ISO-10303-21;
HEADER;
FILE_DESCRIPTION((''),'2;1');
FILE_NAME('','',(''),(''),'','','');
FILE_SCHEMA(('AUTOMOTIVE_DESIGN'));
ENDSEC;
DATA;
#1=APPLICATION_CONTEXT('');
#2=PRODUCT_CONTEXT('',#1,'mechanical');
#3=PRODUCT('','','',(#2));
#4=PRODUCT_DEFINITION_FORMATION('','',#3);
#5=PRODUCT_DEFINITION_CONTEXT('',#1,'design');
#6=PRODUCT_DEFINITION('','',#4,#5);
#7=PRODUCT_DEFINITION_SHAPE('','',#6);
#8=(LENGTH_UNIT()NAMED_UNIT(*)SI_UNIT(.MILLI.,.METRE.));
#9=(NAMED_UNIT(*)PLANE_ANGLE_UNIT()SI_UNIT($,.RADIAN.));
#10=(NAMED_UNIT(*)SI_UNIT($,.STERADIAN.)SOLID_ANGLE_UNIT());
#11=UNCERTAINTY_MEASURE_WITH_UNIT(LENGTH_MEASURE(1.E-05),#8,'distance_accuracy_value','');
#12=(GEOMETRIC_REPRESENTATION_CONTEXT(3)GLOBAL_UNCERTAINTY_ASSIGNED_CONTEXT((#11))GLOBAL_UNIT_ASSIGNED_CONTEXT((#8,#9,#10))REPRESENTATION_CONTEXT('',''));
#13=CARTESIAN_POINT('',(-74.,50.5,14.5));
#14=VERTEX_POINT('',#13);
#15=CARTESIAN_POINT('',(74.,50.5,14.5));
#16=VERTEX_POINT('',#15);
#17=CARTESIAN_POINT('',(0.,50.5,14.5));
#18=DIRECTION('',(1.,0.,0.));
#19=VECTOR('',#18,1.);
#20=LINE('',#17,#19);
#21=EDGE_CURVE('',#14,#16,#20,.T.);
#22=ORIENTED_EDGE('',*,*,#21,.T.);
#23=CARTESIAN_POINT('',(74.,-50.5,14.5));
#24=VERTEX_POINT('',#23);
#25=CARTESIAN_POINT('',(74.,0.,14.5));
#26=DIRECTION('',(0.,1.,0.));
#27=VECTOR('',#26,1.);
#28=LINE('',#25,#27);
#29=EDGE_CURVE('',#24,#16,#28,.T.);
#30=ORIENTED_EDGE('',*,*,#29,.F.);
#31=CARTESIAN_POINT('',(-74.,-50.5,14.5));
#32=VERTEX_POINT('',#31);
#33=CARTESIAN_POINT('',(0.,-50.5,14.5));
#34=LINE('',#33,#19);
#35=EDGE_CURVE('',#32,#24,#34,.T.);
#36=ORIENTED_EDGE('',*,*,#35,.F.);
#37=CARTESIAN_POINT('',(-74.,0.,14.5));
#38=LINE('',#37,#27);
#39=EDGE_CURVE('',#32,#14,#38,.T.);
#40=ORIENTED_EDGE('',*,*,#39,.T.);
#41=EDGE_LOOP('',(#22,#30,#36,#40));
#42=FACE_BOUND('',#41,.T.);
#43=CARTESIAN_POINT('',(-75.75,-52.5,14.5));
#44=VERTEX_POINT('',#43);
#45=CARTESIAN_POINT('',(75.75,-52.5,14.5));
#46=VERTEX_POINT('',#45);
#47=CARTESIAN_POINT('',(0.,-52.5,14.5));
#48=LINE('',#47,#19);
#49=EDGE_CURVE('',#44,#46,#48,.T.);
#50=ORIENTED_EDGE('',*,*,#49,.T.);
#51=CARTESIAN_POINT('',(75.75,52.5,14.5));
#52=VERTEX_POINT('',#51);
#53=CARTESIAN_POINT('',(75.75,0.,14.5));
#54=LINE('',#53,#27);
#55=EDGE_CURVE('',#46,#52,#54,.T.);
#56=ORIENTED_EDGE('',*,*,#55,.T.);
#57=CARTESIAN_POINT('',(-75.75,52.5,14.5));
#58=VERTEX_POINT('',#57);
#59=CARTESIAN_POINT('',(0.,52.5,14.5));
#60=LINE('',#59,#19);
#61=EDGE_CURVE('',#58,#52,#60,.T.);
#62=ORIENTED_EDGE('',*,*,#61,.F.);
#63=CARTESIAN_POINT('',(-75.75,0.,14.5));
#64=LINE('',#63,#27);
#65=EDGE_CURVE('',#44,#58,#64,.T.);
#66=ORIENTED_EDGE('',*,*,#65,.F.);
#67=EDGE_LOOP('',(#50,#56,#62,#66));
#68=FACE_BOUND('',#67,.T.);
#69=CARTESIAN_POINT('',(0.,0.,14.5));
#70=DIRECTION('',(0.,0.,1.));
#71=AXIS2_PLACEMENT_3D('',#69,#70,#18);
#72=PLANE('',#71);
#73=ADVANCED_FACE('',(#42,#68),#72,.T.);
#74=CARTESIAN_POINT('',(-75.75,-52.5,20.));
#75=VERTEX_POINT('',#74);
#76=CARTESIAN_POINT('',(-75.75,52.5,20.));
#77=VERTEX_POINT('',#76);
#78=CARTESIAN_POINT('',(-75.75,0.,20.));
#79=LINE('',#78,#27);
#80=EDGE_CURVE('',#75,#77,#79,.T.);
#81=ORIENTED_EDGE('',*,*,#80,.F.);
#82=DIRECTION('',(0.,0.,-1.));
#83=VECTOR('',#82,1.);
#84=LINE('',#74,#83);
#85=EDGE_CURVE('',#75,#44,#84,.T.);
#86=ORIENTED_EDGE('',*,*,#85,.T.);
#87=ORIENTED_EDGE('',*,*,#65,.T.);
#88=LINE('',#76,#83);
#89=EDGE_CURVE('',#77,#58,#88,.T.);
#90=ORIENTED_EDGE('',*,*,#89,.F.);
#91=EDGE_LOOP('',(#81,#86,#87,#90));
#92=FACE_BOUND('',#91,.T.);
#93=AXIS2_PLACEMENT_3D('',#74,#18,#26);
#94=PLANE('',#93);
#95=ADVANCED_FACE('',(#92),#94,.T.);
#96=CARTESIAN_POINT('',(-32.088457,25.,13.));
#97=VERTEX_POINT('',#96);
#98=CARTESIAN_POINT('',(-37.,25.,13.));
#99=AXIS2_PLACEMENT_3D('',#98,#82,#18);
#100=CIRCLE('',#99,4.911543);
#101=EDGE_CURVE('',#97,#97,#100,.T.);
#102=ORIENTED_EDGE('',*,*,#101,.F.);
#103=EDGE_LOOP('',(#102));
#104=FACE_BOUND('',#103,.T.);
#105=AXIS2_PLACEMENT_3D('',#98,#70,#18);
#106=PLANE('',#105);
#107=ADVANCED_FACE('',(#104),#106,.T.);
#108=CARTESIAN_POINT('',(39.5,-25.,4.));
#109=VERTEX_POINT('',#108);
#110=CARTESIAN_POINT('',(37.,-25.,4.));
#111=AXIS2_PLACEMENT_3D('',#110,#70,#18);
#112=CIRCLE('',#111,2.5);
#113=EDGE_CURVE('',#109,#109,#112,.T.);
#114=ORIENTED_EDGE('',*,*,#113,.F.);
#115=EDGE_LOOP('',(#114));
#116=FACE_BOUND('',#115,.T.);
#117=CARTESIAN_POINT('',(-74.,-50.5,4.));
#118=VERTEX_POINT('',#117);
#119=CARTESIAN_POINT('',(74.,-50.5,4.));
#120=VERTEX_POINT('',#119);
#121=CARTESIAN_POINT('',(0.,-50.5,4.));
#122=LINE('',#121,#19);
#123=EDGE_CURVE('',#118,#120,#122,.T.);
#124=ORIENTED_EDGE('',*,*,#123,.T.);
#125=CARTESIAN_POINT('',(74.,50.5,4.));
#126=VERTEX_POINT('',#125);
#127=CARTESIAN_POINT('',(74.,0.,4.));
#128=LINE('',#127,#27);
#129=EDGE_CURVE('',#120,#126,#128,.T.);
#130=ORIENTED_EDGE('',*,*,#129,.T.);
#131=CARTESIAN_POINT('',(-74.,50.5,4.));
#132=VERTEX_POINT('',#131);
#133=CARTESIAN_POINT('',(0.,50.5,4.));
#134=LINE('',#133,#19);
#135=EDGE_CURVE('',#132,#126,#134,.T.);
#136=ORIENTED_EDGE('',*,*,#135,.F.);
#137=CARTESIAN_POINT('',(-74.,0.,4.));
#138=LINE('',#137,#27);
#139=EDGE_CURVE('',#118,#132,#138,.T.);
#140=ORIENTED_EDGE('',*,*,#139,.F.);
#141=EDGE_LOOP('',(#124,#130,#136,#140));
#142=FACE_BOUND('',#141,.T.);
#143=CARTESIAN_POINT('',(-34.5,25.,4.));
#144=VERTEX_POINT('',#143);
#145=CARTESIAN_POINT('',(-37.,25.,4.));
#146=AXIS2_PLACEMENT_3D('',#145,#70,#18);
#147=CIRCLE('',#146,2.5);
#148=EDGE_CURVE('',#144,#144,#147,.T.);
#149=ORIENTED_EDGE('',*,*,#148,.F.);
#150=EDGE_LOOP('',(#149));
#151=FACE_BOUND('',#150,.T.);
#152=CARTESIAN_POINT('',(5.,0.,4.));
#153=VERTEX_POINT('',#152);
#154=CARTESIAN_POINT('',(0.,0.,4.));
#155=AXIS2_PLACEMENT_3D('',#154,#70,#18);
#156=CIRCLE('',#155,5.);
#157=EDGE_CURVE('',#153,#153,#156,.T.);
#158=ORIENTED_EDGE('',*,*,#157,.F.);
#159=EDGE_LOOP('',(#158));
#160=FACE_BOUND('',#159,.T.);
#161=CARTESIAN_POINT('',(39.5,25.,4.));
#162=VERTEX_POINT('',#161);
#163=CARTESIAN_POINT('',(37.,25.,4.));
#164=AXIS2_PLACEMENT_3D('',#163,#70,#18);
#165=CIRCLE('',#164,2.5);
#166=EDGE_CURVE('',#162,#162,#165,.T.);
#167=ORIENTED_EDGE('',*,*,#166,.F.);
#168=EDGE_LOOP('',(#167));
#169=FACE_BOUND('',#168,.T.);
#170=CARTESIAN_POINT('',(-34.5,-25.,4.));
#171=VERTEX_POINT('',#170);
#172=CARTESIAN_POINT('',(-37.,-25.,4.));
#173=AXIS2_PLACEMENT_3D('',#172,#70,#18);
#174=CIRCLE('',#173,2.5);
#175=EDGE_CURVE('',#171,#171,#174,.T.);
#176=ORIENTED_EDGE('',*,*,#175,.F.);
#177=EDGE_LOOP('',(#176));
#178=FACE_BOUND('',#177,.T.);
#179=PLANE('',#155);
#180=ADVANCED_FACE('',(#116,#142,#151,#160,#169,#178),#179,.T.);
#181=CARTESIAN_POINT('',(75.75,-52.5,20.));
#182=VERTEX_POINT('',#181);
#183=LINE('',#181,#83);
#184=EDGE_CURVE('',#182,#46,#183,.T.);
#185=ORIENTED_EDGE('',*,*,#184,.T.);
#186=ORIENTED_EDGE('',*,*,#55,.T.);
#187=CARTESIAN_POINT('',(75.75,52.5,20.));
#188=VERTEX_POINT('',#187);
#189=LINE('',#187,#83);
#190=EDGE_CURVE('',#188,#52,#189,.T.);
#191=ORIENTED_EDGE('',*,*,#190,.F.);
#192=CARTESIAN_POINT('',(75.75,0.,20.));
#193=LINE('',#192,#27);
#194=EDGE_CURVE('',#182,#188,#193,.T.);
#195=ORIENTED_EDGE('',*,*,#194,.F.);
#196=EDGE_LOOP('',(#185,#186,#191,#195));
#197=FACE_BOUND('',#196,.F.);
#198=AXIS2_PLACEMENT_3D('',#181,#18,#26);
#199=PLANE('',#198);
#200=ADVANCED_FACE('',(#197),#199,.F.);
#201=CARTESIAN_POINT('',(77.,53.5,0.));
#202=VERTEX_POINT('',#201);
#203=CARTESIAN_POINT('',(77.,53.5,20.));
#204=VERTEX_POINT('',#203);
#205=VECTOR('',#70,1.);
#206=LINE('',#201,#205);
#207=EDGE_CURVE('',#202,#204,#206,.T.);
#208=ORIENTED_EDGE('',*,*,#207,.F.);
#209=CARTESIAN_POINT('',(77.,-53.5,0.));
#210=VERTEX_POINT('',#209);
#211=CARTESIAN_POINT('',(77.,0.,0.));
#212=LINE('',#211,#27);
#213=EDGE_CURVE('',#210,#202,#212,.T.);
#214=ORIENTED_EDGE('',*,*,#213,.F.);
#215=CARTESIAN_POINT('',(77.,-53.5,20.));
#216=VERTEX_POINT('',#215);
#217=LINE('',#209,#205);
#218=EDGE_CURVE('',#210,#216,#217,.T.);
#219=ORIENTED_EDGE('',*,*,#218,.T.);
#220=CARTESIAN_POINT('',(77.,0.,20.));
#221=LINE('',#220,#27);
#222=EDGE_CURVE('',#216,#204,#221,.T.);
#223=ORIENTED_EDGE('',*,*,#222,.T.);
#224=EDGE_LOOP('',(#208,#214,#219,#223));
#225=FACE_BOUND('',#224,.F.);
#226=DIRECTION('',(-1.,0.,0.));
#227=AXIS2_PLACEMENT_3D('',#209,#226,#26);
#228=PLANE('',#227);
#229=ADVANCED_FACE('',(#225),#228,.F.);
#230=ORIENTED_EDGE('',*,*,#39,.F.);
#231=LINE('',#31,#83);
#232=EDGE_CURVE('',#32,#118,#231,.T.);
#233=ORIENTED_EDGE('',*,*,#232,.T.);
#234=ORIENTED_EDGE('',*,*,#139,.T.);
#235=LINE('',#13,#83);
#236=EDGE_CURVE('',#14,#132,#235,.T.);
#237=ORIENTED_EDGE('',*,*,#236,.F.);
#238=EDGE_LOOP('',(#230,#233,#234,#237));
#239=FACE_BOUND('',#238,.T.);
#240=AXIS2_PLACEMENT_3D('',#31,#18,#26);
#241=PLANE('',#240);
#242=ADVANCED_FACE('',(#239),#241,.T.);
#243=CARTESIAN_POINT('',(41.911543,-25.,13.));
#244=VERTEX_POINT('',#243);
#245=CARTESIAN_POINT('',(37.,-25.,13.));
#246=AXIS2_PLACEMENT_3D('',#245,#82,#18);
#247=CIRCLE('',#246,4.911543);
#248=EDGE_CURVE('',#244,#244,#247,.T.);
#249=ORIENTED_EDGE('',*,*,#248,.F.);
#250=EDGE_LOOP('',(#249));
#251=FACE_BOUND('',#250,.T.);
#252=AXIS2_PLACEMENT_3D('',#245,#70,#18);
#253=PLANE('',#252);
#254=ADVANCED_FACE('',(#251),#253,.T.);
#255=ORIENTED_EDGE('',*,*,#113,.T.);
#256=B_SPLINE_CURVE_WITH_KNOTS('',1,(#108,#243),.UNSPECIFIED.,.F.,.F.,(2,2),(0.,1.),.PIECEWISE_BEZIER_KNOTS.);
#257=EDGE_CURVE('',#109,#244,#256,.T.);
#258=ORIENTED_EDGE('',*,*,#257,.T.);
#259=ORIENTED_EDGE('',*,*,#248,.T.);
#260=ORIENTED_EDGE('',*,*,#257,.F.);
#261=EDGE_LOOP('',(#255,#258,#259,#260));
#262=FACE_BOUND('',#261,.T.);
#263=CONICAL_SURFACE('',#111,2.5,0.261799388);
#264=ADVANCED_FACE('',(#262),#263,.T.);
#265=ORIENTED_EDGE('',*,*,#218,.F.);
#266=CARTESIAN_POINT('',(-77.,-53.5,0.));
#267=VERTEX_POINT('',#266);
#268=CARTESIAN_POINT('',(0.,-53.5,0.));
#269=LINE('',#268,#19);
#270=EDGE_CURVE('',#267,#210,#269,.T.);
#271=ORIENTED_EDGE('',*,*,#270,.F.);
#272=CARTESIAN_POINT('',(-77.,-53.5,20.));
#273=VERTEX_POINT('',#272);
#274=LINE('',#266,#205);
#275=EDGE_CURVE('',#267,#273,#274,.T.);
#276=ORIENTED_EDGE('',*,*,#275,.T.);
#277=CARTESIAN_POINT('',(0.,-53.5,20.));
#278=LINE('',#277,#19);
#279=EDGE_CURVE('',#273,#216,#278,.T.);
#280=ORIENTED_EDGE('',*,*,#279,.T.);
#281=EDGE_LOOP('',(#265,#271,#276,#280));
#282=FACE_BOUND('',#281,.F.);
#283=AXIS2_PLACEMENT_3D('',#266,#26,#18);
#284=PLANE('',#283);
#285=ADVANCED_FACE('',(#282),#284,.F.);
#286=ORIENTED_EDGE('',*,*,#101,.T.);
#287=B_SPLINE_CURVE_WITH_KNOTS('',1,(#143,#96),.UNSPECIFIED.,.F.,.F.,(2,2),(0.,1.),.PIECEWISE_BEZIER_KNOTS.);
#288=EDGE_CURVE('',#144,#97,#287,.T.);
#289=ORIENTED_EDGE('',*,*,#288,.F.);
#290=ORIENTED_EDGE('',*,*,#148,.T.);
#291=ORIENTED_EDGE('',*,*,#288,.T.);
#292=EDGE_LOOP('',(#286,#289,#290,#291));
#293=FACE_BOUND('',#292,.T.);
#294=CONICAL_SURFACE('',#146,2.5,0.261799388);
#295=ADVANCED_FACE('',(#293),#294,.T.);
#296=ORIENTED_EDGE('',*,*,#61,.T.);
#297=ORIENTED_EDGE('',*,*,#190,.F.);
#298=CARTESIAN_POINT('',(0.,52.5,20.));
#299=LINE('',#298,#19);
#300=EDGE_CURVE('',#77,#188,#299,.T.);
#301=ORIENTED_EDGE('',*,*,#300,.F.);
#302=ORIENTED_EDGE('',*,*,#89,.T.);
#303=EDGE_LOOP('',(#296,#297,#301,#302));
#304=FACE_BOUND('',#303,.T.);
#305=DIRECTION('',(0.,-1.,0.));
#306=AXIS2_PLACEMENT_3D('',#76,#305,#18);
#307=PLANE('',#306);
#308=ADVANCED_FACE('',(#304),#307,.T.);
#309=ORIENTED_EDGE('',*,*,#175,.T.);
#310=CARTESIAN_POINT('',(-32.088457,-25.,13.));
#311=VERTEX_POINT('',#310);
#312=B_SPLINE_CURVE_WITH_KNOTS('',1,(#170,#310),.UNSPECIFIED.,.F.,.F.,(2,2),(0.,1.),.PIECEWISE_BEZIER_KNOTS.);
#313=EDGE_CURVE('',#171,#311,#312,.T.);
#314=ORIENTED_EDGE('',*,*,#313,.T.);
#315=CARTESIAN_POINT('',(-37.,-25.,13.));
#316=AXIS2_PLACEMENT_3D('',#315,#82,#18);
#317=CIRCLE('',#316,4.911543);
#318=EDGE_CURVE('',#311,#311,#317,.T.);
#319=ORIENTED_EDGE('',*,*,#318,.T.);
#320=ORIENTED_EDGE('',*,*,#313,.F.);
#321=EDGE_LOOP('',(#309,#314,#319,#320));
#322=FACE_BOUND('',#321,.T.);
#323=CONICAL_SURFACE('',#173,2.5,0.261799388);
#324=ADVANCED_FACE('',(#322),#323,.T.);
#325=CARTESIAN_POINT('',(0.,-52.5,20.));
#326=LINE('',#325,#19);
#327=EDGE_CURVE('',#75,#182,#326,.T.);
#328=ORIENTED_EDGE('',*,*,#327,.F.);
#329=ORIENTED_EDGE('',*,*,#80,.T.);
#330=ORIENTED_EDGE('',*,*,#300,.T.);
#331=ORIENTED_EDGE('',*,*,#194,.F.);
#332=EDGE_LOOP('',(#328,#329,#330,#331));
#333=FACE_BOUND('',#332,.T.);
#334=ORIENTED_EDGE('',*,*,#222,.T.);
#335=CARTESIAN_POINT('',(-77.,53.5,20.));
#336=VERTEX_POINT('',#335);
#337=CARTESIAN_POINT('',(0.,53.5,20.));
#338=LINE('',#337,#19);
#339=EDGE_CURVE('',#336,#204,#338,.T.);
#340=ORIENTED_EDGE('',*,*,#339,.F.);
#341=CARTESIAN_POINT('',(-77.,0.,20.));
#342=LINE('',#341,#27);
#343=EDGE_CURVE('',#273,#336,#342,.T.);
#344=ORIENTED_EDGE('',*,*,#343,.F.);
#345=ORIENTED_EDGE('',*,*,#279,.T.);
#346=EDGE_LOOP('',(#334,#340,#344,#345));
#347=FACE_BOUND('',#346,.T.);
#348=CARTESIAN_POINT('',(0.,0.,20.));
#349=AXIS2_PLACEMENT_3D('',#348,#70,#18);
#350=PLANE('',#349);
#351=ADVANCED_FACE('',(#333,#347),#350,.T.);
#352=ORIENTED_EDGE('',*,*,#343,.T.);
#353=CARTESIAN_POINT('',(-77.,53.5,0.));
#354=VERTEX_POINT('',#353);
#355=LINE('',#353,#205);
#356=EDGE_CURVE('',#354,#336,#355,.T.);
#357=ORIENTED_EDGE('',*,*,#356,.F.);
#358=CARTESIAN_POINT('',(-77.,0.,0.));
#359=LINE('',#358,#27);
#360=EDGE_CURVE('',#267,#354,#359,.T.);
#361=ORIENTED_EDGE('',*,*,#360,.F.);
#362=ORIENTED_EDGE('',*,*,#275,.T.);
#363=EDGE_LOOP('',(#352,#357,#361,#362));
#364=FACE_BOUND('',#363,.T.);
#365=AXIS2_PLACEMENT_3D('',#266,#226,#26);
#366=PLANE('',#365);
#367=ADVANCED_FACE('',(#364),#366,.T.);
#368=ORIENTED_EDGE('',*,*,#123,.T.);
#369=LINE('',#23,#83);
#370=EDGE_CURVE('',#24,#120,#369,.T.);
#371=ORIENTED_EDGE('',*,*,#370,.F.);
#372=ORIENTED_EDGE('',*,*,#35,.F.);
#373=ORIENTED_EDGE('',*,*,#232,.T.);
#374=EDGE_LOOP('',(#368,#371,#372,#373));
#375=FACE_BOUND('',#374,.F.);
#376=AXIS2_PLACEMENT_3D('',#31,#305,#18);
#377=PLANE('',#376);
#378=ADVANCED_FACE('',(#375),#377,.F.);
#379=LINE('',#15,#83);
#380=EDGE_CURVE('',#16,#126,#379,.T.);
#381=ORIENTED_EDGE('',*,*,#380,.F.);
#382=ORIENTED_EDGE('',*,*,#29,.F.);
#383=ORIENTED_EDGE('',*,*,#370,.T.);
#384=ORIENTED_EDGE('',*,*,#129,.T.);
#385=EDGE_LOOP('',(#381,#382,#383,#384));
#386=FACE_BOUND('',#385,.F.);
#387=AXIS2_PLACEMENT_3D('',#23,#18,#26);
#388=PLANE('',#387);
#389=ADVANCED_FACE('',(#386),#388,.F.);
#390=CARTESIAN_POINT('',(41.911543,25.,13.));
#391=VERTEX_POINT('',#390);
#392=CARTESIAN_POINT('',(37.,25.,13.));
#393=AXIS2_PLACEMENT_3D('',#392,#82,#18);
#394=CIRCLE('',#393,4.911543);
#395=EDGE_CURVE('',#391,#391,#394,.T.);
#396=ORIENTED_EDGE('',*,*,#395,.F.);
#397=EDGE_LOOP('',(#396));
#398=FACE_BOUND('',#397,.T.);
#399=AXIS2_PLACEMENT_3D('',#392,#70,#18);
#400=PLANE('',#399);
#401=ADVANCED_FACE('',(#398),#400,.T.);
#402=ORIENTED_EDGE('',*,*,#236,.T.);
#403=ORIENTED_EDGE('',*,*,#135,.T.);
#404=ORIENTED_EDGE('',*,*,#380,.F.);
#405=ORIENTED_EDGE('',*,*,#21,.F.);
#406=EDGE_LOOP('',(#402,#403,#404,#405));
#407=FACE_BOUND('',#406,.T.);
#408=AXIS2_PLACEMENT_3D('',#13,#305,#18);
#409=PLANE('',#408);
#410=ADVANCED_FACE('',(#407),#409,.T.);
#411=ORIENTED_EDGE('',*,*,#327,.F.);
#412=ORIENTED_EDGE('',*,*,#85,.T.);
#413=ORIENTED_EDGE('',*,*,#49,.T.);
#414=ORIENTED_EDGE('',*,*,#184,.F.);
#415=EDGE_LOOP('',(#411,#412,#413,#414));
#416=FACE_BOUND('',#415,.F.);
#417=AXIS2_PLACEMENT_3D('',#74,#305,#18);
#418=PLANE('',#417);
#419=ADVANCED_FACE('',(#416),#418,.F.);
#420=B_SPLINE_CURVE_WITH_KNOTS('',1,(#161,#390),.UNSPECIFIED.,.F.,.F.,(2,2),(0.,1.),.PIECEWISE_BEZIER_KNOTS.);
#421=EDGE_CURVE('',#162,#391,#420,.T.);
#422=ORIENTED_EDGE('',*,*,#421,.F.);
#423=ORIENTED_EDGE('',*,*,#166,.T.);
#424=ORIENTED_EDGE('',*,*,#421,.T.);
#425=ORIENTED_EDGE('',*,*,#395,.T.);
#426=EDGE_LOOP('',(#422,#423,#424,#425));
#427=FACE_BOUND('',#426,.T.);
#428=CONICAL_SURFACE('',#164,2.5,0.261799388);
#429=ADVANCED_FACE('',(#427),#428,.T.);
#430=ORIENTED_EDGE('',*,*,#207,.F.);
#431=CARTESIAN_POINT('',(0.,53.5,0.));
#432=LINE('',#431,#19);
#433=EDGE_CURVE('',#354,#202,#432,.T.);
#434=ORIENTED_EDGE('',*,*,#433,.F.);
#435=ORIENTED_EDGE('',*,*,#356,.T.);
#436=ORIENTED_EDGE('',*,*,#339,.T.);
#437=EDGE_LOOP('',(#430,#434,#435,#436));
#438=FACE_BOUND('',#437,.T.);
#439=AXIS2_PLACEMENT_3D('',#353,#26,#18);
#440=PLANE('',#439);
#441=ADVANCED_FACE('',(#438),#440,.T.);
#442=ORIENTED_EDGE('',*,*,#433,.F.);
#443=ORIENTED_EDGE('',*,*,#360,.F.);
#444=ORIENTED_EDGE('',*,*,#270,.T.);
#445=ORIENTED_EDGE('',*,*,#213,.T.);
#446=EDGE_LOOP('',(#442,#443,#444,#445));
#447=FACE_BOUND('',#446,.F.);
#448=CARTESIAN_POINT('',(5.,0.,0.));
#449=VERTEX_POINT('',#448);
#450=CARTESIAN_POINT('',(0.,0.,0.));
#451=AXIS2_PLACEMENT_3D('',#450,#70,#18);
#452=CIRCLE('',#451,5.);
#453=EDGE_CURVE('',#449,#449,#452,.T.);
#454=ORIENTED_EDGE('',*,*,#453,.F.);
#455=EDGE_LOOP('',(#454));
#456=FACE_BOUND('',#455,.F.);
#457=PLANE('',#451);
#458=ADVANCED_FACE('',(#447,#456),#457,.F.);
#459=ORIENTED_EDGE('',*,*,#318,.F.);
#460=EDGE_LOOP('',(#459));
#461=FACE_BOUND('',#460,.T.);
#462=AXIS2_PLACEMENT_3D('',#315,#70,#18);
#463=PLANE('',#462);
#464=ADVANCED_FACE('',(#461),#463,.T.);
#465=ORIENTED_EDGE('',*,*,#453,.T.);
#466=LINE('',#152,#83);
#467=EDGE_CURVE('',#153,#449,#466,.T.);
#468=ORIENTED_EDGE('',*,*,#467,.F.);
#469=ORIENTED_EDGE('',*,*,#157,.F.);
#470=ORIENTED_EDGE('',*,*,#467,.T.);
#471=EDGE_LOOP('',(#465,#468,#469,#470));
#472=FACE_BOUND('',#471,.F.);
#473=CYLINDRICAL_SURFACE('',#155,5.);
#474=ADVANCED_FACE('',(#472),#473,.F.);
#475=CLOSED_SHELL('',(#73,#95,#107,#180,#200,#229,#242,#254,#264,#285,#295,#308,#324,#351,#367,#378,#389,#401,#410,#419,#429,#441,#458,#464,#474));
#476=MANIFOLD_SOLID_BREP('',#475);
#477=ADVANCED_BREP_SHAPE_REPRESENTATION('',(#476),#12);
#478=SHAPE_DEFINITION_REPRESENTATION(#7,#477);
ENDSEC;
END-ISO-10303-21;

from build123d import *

# Parameters (mm, degrees)
SKETCH_W        = 154
SKETCH_H        = 107
PAD_DEPTH       = 20
SKETCH001_W     = 151.5
SKETCH001_H     = 105
POCKET_DEPTH    = 5.5
SKETCH002_W     = 148
SKETCH002_H     = 101
POCKET001_DEPTH = 10.5
SKETCH003_R     = 5
POCKET002_DEPTH = 4.001
SKETCH004_R     = 2.5
PAD001_DEPTH    = 9
PAD001_TAPER    = -15


with BuildPart() as part:
    # Sketch → Pad (new body)
    with BuildSketch(Plane.XY):
        Rectangle(SKETCH_W, SKETCH_H)
    extrude(amount=PAD_DEPTH)

    # Sketch001 (on Face6 of Pad) → Pocket (cut)
    with BuildSketch(Plane.XY.offset(20)):
        Rectangle(SKETCH001_W, SKETCH001_H)
    extrude(amount=-POCKET_DEPTH, mode=Mode.SUBTRACT)

    # Sketch002 (on Face11 of Pocket) → Pocket001 (cut)
    with BuildSketch(Plane.XY.offset(14.5)):
        Rectangle(SKETCH002_W, SKETCH002_H)
    extrude(amount=-POCKET001_DEPTH, mode=Mode.SUBTRACT)

    # Sketch003 (on Face16 of Pocket001) → Pocket002 (cut, through all)
    with BuildSketch(Plane.XY.offset(4)):
        Circle(SKETCH003_R)
    extrude(amount=-POCKET002_DEPTH, mode=Mode.SUBTRACT)

    # Sketch004 (on Face12 of Pocket002) → Pad001 (join)
    with BuildSketch(Plane.XY.offset(4)):
        with Locations((-37, 25)):
            Circle(SKETCH004_R)
        with Locations((37, 25)):
            Circle(SKETCH004_R)
        with Locations((37, -25)):
            Circle(SKETCH004_R)
        with Locations((-37, -25)):
            Circle(SKETCH004_R)
    extrude(amount=PAD001_DEPTH, taper=PAD001_TAPER)


solid = part.part
